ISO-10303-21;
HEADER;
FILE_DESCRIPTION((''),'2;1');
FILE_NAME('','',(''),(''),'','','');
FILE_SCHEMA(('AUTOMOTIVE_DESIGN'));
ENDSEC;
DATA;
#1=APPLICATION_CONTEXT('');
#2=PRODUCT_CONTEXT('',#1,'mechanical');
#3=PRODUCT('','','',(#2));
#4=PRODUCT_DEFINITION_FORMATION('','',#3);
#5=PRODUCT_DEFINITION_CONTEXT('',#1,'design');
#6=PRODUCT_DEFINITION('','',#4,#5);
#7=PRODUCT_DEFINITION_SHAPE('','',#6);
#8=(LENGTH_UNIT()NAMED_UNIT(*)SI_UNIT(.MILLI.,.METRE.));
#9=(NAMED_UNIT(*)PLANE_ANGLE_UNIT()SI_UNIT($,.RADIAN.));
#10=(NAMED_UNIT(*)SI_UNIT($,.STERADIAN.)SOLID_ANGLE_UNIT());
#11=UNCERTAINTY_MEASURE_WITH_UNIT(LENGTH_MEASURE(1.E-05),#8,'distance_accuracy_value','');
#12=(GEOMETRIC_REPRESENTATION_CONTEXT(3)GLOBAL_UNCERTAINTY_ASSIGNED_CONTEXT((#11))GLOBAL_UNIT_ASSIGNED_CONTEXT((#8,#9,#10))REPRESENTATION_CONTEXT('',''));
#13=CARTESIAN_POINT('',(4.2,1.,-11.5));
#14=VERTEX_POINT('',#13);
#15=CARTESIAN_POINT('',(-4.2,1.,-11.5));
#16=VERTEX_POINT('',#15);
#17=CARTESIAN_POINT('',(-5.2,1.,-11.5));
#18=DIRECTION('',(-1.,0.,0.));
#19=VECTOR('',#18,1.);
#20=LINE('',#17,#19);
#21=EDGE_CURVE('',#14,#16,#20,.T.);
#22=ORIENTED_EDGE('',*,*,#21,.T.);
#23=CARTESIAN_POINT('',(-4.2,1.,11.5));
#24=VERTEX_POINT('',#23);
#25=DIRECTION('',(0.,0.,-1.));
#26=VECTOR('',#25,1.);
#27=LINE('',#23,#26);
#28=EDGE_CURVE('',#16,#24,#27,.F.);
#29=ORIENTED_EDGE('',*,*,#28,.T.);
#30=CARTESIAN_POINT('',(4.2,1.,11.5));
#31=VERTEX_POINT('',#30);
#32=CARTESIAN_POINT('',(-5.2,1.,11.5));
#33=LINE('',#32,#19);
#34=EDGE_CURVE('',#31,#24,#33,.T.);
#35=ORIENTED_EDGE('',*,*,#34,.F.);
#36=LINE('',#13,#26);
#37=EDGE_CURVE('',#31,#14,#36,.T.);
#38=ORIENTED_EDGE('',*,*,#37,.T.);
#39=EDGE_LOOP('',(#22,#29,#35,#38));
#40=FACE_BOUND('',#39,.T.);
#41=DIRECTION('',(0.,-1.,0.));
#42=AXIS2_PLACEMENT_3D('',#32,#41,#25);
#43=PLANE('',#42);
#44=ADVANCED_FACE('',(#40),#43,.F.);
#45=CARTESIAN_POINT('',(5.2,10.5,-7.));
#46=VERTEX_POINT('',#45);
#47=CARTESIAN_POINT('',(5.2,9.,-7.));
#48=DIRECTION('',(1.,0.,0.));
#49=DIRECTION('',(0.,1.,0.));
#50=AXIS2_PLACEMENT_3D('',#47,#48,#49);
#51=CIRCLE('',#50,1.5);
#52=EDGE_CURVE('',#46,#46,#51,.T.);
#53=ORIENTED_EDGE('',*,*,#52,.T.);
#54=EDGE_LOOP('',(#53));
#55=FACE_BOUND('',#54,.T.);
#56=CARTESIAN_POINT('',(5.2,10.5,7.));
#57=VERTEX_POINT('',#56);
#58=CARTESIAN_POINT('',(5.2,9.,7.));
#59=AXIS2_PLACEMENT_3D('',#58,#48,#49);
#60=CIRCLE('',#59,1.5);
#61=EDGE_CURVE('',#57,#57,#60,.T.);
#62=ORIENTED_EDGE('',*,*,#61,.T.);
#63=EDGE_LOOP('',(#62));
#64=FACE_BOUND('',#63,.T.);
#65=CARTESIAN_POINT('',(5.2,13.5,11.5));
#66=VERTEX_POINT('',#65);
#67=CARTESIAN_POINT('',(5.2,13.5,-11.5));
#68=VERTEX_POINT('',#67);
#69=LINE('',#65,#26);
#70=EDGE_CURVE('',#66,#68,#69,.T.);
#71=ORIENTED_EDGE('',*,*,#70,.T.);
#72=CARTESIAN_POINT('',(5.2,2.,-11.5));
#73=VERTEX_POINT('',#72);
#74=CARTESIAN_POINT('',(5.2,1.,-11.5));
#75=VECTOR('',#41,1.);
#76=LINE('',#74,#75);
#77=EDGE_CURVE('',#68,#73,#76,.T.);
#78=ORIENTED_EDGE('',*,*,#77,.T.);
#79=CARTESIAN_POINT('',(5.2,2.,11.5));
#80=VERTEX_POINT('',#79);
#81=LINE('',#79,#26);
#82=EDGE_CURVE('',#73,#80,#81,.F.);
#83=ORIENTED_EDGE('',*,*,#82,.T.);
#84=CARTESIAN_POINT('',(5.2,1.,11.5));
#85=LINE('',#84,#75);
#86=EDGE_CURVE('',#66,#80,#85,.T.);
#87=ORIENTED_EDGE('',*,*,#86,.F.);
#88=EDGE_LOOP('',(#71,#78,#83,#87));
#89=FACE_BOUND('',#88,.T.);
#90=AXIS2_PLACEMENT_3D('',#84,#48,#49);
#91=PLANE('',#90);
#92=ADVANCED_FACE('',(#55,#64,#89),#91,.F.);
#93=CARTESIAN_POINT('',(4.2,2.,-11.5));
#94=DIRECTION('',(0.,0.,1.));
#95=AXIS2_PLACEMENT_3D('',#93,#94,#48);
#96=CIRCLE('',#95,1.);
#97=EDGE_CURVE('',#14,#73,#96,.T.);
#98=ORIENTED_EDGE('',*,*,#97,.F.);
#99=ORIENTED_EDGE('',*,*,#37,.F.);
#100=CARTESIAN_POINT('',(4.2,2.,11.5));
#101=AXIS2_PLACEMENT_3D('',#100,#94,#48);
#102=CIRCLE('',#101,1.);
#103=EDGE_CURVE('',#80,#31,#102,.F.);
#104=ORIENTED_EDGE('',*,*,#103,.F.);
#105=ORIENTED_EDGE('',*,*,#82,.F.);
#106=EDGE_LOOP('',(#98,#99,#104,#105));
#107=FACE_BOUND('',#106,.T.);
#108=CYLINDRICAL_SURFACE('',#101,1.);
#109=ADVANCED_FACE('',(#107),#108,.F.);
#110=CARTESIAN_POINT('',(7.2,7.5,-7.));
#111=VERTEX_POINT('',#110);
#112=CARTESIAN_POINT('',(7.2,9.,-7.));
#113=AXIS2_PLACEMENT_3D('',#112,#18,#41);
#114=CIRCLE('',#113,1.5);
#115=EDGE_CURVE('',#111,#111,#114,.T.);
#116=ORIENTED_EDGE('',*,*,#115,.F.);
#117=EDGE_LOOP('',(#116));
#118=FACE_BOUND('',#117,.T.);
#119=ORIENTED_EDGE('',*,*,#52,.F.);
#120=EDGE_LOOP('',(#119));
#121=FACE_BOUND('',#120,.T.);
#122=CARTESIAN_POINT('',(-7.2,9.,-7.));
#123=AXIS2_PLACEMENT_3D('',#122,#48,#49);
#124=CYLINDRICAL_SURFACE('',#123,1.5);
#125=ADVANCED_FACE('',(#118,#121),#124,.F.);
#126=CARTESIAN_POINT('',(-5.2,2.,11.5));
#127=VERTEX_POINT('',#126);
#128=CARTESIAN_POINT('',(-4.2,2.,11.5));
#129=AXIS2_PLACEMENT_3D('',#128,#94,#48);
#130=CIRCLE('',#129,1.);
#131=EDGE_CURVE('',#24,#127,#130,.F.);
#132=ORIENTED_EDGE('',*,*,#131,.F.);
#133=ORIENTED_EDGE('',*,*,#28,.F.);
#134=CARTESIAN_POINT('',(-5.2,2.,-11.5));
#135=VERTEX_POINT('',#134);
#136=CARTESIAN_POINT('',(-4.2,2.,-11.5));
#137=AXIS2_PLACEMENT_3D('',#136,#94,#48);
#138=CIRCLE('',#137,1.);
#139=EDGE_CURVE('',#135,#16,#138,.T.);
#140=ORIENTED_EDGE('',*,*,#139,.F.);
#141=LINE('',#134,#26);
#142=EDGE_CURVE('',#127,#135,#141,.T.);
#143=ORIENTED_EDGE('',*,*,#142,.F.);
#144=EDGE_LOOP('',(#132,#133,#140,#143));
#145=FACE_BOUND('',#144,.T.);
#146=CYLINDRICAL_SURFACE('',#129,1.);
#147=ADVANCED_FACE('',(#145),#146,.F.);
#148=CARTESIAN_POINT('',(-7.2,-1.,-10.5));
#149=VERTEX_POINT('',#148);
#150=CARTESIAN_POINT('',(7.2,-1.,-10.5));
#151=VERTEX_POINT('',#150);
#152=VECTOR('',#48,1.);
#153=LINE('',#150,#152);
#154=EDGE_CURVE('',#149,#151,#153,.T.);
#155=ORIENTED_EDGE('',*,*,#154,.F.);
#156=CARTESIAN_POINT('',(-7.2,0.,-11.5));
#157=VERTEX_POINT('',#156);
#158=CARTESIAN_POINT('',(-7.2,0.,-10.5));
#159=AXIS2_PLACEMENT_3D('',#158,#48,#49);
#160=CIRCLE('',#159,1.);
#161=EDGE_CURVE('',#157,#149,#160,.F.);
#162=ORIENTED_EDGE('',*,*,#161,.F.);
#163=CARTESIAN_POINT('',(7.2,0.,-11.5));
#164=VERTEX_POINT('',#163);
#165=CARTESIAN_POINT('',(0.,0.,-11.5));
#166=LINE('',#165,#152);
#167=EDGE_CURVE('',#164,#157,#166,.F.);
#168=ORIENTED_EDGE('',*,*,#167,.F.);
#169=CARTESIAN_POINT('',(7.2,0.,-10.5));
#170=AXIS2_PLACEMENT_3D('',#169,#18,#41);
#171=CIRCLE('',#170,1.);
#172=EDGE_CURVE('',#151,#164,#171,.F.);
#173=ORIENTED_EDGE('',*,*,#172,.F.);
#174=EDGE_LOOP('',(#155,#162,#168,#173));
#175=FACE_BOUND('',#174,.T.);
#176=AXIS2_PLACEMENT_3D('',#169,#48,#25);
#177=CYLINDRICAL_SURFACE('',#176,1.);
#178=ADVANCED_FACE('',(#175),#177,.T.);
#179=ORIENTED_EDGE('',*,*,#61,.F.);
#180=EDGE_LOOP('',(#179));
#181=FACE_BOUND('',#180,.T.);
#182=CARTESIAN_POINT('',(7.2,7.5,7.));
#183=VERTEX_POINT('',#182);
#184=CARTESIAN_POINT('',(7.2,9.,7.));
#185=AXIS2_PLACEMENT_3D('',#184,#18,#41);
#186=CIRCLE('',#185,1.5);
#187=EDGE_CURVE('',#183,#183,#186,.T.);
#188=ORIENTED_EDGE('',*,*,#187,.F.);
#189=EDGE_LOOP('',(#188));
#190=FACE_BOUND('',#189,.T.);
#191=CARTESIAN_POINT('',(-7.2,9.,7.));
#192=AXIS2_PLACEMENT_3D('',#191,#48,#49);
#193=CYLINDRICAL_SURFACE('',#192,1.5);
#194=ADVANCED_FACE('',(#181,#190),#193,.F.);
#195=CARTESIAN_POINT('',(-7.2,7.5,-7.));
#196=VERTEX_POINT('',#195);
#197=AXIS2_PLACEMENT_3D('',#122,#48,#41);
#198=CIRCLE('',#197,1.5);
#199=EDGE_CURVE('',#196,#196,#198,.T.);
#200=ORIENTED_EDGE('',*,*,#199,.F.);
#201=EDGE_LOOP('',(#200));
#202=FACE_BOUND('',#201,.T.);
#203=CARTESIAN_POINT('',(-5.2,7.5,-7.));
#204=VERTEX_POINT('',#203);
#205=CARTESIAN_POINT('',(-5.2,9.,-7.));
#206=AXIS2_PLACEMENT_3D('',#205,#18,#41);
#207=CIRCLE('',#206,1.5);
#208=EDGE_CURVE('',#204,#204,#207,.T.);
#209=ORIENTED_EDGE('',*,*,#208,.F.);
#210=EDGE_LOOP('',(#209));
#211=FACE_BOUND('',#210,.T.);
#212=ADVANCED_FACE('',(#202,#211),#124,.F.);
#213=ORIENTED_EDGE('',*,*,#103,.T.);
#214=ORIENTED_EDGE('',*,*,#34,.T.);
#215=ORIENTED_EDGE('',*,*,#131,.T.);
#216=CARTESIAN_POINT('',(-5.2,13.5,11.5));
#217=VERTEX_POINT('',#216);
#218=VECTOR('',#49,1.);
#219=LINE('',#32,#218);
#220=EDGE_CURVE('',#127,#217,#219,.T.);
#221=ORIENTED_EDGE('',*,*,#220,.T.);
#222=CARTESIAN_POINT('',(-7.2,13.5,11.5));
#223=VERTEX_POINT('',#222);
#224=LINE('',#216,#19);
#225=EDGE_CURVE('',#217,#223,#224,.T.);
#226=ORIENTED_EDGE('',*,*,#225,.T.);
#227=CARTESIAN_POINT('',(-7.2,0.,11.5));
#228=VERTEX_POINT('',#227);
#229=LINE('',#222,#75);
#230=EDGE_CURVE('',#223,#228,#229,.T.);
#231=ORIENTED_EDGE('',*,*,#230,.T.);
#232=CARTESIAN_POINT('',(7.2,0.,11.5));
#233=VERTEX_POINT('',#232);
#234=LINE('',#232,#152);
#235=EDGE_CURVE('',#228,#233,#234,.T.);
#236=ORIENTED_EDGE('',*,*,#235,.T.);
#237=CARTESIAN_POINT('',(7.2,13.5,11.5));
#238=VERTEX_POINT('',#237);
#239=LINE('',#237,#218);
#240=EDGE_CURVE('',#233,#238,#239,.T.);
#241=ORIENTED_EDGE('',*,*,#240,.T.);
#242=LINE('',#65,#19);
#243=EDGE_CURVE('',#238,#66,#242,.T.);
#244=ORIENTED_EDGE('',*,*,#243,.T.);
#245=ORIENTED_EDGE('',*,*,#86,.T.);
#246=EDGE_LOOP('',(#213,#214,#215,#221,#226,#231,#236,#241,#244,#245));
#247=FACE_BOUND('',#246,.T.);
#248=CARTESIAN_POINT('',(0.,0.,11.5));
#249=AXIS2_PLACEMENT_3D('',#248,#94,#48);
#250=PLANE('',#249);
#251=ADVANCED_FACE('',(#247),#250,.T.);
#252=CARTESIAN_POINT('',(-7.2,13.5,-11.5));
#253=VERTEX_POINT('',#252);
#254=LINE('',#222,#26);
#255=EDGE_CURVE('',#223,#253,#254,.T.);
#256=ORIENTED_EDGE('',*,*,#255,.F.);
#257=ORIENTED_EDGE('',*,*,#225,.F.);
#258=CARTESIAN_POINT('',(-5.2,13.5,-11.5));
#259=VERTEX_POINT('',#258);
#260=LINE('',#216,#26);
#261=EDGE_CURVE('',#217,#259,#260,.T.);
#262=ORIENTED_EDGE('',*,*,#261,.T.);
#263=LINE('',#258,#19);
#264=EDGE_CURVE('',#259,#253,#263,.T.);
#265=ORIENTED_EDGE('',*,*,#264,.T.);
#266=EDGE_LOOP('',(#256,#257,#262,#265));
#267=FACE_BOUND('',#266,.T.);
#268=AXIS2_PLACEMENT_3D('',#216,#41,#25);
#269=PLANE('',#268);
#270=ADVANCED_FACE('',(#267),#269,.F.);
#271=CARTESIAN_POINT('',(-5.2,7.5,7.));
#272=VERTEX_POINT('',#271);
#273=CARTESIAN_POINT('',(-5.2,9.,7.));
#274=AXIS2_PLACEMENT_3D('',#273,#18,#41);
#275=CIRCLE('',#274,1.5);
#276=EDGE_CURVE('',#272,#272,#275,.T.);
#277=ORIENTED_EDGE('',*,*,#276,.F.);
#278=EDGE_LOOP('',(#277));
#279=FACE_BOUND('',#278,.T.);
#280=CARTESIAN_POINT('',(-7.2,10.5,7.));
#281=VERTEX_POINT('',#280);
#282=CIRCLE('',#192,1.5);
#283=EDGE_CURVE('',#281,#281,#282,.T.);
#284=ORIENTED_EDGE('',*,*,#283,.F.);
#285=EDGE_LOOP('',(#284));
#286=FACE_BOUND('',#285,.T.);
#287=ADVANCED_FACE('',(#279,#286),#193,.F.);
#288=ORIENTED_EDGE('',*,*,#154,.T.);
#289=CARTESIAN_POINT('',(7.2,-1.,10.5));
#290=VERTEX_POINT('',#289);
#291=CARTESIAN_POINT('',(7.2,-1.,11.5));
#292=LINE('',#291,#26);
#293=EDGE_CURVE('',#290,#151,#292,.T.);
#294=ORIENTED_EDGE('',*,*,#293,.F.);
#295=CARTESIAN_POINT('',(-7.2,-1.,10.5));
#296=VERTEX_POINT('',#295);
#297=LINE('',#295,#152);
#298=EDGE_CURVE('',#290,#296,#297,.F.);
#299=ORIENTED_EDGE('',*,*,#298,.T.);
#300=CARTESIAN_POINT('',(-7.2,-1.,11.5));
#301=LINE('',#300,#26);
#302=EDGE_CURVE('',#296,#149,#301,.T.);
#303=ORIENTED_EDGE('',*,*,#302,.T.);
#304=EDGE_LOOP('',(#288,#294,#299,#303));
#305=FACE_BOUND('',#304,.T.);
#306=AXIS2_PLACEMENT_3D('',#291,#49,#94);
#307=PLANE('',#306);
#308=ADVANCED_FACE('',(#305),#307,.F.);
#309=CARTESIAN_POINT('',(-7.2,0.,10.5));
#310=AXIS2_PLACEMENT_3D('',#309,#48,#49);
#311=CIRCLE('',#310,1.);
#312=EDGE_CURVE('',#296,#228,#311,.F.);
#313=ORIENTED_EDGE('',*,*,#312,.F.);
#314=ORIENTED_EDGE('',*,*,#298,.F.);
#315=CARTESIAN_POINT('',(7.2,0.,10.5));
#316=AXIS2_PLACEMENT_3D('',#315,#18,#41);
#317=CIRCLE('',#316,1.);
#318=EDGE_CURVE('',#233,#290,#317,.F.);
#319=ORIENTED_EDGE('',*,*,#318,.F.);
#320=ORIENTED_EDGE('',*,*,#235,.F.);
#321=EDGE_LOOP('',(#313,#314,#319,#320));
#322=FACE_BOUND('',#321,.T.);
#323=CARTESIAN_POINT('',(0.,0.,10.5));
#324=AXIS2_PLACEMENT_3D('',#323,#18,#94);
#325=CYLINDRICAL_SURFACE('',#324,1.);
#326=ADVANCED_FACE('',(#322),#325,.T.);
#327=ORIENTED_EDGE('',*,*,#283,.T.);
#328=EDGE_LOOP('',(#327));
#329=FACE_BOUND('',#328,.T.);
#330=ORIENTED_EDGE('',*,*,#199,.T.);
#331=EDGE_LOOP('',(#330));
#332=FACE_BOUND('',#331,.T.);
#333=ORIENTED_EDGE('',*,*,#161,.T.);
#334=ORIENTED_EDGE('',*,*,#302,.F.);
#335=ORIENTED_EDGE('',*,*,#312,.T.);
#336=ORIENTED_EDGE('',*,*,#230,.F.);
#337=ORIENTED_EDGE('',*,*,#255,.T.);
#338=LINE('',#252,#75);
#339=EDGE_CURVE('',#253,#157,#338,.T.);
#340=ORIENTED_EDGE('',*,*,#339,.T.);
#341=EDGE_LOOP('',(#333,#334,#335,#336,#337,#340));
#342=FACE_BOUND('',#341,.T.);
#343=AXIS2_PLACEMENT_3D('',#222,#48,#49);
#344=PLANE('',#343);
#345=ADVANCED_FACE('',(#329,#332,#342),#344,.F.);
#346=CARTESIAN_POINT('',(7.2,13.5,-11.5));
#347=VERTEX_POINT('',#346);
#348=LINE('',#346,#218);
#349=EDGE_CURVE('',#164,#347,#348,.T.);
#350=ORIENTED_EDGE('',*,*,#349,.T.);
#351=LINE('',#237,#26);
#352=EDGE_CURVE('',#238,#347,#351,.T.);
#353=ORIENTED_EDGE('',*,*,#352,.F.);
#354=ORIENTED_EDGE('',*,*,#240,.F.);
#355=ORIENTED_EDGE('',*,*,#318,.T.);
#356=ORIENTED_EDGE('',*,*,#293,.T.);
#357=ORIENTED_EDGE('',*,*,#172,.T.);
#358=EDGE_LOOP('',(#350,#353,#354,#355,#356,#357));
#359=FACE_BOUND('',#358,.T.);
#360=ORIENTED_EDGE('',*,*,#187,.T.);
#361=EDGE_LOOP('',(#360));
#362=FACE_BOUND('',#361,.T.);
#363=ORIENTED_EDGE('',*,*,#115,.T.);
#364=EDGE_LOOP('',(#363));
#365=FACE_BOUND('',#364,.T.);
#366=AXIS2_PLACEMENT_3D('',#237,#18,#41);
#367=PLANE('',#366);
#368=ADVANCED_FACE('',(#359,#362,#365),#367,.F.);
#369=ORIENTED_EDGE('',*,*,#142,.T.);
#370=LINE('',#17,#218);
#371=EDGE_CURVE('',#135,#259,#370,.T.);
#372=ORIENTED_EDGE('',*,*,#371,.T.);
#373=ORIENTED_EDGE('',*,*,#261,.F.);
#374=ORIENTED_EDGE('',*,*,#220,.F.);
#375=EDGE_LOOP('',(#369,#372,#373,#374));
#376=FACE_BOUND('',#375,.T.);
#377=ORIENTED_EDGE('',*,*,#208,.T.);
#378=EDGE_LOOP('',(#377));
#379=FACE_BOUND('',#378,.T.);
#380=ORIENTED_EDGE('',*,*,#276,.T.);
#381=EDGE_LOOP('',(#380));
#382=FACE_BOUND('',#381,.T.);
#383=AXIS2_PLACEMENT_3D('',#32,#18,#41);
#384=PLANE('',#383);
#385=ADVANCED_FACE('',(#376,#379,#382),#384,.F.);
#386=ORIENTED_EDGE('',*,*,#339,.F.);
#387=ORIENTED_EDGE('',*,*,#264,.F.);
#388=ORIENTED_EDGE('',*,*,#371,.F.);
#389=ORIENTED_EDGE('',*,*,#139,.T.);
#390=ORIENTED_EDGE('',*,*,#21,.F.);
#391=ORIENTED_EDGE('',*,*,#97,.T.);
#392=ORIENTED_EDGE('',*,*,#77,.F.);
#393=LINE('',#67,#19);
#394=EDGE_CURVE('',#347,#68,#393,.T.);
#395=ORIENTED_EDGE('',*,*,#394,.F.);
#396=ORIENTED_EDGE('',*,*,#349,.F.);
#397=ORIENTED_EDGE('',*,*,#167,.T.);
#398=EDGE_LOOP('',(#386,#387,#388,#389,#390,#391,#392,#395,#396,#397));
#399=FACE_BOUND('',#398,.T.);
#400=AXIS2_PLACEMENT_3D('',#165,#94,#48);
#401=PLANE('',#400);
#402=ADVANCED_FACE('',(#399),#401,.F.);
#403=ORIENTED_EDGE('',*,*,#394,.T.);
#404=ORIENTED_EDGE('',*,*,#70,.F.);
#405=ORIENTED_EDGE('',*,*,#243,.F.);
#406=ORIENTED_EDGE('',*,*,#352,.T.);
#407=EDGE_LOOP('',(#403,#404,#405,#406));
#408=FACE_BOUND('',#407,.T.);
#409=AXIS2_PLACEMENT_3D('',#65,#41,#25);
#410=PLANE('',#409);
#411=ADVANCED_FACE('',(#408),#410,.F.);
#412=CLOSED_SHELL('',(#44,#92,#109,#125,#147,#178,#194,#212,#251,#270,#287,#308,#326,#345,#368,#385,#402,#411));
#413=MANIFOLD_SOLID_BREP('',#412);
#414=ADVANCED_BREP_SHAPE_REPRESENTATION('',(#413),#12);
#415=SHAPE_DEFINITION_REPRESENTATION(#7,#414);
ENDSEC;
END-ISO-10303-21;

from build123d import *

# Parameters (mm, degrees)
BOSS_EXTRUDE1_DEPTH     = 11.5
SKETCH2_R               = 1.5
CUT_EXTRUDE1_DEPTH      = 1
CUT_EXTRUDE1_DEPTH_BACK = 15.4
FILLET1_R               = 1
FILLET2_R               = 1


with BuildPart() as part:
    # Sketch1 → Boss-Extrude1 (new body, symmetric)
    with BuildSketch(Plane.XY):
        Polygon((-5.2, 1), (5.2, 1), (5.2, 13.5), (7.2, 13.5), (7.2, -1), (-7.2, -1), (-7.2, 13.5), (-5.2, 13.5), align=None)
    extrude(amount=BOSS_EXTRUDE1_DEPTH, both=True)

    # Sketch2 → Cut-Extrude1 (cut, two sides)
    with BuildSketch(Plane(origin=(7.2, 0, 0), x_dir=(0, 0, -1), z_dir=(1, 0, 0))) as cut_extrude1_sk:
        with Locations((-7, 9)):
            Circle(SKETCH2_R)
        with Locations((7, 9)):
            Circle(SKETCH2_R)
    extrude(amount=CUT_EXTRUDE1_DEPTH, mode=Mode.SUBTRACT)
    extrude(cut_extrude1_sk.sketch, amount=-CUT_EXTRUDE1_DEPTH_BACK, mode=Mode.SUBTRACT)

    # Fillet1
    fillet1_edges = [part.edges().sort_by_distance(p)[0] for p in [
        (0, -1, -11.5),
        (0, -1, 11.5),
    ]]
    fillet(fillet1_edges, radius=FILLET1_R)

    # Fillet2
    fillet2_edges = [part.edges().sort_by_distance(p)[0] for p in [
        (-5.2, 1, 0),
        (5.2, 1, 0),
    ]]
    fillet(fillet2_edges, radius=FILLET2_R)


solid = part.part
